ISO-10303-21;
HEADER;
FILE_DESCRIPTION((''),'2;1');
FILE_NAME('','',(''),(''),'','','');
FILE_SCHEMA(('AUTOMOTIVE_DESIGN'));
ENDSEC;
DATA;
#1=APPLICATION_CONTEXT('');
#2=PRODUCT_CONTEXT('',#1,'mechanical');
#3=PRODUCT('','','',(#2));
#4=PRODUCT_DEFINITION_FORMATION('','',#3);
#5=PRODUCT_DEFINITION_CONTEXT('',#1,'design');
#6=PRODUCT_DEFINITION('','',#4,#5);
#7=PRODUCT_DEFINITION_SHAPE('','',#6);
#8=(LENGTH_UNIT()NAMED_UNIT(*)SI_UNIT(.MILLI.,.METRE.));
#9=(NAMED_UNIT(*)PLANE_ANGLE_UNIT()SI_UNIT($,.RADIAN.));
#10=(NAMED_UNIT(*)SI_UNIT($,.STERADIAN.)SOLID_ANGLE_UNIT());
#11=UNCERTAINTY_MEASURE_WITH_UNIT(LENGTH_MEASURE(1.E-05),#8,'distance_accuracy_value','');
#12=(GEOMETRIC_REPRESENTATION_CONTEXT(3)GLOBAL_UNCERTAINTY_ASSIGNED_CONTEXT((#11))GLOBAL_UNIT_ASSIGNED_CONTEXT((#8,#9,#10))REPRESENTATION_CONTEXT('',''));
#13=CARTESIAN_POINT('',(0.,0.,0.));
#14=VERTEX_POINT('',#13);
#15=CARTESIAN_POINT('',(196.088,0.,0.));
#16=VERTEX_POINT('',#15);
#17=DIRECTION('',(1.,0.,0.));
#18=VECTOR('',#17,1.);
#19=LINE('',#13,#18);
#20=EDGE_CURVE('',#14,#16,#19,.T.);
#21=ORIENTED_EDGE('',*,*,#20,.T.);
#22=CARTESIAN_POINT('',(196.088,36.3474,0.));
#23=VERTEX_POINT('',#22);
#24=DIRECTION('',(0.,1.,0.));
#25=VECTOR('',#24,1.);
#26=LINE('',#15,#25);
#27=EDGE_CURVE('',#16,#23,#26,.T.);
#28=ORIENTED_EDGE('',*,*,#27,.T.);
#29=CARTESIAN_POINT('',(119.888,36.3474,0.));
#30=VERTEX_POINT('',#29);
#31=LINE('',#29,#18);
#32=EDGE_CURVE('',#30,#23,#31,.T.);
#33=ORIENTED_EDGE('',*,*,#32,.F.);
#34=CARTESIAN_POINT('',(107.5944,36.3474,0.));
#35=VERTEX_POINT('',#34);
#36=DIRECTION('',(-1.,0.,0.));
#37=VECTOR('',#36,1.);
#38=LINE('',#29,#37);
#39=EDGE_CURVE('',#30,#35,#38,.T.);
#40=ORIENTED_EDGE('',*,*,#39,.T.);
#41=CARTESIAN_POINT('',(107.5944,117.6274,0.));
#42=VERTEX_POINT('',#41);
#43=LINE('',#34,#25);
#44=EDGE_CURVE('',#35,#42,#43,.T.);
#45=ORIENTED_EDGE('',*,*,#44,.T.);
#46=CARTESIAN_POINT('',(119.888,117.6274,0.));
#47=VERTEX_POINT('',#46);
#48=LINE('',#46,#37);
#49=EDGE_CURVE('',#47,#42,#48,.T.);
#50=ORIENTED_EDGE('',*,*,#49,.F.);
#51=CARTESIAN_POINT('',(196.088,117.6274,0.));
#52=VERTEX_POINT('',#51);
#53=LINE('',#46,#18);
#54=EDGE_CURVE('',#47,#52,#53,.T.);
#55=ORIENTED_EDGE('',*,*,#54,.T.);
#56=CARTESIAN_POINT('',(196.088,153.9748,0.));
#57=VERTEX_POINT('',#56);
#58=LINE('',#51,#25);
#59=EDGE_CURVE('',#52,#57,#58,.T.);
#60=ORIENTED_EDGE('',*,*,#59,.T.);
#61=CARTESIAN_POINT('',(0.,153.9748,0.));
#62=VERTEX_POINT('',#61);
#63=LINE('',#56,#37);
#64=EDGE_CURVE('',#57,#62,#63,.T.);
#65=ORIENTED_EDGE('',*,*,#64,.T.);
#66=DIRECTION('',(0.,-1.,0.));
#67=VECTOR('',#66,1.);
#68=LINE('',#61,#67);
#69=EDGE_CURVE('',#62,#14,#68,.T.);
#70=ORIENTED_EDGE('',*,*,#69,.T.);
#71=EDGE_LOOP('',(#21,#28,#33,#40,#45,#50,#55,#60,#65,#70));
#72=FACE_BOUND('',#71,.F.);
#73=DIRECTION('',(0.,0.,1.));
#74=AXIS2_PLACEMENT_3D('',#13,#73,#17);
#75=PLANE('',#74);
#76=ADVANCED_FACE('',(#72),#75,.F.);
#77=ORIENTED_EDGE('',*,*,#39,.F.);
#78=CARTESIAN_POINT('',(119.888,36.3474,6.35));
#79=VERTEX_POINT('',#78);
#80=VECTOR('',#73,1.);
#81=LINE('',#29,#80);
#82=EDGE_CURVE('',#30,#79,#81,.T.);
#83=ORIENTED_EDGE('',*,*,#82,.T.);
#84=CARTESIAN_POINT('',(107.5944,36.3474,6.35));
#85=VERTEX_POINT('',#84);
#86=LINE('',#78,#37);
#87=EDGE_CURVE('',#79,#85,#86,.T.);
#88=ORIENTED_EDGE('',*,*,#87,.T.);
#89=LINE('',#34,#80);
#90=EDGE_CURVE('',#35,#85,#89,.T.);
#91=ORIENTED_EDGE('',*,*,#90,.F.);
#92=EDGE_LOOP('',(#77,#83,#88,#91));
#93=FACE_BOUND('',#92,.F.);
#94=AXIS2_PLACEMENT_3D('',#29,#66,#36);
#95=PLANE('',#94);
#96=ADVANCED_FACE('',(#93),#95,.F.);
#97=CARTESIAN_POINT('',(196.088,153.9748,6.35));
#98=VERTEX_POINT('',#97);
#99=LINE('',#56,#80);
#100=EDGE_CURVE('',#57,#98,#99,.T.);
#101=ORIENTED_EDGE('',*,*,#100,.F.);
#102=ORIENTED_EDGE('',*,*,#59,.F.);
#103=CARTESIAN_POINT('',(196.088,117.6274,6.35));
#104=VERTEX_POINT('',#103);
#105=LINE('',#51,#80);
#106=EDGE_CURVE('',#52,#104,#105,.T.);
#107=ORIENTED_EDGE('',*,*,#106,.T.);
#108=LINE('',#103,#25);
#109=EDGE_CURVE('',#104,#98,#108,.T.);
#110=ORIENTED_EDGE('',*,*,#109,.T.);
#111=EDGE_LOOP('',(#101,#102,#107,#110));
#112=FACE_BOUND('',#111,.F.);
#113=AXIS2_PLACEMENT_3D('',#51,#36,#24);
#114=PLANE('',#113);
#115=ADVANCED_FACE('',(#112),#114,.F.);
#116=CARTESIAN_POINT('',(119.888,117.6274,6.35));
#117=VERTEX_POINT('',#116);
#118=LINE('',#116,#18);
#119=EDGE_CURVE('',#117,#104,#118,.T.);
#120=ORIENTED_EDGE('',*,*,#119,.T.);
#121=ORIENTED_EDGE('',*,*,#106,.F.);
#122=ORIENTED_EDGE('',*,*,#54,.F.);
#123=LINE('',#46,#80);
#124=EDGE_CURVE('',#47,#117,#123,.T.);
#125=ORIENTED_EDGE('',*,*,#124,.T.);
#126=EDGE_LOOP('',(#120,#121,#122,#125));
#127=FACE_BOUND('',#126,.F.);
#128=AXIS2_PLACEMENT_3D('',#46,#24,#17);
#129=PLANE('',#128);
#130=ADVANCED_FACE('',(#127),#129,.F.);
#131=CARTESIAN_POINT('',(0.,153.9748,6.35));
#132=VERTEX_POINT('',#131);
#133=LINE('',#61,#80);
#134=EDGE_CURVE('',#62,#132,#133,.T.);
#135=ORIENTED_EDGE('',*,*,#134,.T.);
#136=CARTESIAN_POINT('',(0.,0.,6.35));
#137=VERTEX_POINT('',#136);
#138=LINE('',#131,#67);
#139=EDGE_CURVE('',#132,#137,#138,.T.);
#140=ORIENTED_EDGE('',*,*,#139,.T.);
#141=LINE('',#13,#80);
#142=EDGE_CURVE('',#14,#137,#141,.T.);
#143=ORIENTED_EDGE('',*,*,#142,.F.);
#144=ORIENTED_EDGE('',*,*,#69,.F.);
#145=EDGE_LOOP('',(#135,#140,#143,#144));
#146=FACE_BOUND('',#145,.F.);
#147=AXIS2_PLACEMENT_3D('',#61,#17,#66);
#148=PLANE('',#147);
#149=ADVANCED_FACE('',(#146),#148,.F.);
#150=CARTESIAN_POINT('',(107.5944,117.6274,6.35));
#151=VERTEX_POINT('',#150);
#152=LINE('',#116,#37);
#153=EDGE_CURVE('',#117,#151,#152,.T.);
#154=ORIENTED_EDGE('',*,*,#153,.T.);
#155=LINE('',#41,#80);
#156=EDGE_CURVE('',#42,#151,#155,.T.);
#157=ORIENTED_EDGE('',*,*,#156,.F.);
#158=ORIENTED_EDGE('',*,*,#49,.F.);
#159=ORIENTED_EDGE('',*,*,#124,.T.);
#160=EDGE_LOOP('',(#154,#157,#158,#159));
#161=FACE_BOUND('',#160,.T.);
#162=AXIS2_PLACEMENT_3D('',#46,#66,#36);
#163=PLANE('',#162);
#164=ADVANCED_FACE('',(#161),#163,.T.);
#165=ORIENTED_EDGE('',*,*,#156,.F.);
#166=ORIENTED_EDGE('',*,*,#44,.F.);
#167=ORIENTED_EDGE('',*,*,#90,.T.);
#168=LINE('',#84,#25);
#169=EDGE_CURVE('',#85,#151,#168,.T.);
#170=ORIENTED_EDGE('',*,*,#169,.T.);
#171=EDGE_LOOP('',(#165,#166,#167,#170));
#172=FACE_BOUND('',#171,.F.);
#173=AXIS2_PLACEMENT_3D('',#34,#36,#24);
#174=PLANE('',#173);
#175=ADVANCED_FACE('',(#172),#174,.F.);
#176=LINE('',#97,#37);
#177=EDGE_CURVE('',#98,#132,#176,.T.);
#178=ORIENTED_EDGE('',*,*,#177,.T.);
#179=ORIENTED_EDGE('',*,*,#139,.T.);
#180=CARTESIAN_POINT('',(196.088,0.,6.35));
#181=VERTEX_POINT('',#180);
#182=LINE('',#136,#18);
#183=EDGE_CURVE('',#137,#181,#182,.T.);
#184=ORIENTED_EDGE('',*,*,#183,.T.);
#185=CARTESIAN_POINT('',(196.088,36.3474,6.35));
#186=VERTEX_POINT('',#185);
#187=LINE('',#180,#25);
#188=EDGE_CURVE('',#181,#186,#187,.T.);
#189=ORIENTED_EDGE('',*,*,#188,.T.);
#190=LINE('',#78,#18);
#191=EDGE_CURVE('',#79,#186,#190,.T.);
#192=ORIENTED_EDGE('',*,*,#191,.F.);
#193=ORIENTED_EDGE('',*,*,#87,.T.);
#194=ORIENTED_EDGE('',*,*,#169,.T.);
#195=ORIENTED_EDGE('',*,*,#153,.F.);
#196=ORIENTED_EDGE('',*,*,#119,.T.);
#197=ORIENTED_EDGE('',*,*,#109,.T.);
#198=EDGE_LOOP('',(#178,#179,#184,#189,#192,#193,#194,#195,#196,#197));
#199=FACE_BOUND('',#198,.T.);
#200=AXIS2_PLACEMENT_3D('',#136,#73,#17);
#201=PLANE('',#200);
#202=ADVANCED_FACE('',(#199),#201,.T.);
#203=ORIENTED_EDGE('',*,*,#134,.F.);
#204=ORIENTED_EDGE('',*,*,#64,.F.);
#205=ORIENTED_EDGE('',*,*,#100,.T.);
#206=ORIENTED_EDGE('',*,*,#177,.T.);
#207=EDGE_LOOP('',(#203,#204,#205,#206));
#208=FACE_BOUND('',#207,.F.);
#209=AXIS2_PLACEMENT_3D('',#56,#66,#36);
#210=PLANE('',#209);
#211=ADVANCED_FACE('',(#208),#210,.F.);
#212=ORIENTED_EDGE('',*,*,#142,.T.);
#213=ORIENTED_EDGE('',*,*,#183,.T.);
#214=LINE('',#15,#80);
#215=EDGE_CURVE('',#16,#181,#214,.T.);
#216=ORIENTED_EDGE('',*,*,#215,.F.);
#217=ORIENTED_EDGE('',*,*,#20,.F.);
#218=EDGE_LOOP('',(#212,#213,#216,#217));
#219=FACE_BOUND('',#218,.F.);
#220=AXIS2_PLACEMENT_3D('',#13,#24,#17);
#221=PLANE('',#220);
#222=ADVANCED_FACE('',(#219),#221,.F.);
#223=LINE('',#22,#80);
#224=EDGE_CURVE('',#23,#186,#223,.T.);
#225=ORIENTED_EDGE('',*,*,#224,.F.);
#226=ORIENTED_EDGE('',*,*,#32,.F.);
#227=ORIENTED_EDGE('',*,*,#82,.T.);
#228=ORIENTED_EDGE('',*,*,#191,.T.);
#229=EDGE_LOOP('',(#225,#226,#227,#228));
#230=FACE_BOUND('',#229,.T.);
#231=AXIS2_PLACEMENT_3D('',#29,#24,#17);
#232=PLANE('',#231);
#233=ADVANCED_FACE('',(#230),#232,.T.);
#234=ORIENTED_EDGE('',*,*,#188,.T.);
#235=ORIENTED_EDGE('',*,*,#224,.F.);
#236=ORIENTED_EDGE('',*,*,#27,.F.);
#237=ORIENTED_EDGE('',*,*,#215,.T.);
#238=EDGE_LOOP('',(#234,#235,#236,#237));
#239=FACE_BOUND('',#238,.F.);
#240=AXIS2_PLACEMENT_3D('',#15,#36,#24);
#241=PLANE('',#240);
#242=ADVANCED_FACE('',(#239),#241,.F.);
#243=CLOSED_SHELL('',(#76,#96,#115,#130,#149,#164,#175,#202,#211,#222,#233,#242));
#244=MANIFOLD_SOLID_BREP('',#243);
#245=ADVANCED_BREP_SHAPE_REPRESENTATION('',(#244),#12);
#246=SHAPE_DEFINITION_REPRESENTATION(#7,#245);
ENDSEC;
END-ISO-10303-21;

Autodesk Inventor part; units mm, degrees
ref_plane "YZ Plane" through (0, 0, 0) normal (1, 0, 0) x (0, 1, 0)
ref_plane "XZ Plane" through (0, 0, 0) normal (0, 1, 0) x (-1, 0, 0)
ref_plane "XY Plane" through (0, 0, 0) normal (0, 0, 1) x (1, 0, 0)
sketch "Sketch1" plane through (0, 0, 0) normal (0, 0, 1) x (1, 0, 0)
  line L0 (0, 0) -> (196.088, 0)
  line L1 (196.088, 153.9748) -> (0, 153.9748)
  line L2 (0, 153.9748) -> (0, 0)
  line L3 (119.888, 36.3474) -> (196.088, 36.3474)
  line L4 (119.888, 117.6274) -> (196.088, 117.6274)
  line L5 (196.088, 0) -> (196.088, 36.3474)
  line L6 (196.088, 117.6274) -> (196.088, 153.9748)
  line L7 (119.888, 117.6274) -> (107.5944, 117.6274)
  line L8 (119.888, 36.3474) -> (107.5944, 36.3474)
  line L9 (107.5944, 36.3474) -> (107.5944, 117.6274)
  dimension "d0" = 196.088
  dimension "d1" = 153.9748
  dimension "d7" = 12.2936
  dimension "d8" = 12.2936
extrude "Extrusion1" add sketch "Sketch1" along normal blind 6.35
properties part number "mixer support"
